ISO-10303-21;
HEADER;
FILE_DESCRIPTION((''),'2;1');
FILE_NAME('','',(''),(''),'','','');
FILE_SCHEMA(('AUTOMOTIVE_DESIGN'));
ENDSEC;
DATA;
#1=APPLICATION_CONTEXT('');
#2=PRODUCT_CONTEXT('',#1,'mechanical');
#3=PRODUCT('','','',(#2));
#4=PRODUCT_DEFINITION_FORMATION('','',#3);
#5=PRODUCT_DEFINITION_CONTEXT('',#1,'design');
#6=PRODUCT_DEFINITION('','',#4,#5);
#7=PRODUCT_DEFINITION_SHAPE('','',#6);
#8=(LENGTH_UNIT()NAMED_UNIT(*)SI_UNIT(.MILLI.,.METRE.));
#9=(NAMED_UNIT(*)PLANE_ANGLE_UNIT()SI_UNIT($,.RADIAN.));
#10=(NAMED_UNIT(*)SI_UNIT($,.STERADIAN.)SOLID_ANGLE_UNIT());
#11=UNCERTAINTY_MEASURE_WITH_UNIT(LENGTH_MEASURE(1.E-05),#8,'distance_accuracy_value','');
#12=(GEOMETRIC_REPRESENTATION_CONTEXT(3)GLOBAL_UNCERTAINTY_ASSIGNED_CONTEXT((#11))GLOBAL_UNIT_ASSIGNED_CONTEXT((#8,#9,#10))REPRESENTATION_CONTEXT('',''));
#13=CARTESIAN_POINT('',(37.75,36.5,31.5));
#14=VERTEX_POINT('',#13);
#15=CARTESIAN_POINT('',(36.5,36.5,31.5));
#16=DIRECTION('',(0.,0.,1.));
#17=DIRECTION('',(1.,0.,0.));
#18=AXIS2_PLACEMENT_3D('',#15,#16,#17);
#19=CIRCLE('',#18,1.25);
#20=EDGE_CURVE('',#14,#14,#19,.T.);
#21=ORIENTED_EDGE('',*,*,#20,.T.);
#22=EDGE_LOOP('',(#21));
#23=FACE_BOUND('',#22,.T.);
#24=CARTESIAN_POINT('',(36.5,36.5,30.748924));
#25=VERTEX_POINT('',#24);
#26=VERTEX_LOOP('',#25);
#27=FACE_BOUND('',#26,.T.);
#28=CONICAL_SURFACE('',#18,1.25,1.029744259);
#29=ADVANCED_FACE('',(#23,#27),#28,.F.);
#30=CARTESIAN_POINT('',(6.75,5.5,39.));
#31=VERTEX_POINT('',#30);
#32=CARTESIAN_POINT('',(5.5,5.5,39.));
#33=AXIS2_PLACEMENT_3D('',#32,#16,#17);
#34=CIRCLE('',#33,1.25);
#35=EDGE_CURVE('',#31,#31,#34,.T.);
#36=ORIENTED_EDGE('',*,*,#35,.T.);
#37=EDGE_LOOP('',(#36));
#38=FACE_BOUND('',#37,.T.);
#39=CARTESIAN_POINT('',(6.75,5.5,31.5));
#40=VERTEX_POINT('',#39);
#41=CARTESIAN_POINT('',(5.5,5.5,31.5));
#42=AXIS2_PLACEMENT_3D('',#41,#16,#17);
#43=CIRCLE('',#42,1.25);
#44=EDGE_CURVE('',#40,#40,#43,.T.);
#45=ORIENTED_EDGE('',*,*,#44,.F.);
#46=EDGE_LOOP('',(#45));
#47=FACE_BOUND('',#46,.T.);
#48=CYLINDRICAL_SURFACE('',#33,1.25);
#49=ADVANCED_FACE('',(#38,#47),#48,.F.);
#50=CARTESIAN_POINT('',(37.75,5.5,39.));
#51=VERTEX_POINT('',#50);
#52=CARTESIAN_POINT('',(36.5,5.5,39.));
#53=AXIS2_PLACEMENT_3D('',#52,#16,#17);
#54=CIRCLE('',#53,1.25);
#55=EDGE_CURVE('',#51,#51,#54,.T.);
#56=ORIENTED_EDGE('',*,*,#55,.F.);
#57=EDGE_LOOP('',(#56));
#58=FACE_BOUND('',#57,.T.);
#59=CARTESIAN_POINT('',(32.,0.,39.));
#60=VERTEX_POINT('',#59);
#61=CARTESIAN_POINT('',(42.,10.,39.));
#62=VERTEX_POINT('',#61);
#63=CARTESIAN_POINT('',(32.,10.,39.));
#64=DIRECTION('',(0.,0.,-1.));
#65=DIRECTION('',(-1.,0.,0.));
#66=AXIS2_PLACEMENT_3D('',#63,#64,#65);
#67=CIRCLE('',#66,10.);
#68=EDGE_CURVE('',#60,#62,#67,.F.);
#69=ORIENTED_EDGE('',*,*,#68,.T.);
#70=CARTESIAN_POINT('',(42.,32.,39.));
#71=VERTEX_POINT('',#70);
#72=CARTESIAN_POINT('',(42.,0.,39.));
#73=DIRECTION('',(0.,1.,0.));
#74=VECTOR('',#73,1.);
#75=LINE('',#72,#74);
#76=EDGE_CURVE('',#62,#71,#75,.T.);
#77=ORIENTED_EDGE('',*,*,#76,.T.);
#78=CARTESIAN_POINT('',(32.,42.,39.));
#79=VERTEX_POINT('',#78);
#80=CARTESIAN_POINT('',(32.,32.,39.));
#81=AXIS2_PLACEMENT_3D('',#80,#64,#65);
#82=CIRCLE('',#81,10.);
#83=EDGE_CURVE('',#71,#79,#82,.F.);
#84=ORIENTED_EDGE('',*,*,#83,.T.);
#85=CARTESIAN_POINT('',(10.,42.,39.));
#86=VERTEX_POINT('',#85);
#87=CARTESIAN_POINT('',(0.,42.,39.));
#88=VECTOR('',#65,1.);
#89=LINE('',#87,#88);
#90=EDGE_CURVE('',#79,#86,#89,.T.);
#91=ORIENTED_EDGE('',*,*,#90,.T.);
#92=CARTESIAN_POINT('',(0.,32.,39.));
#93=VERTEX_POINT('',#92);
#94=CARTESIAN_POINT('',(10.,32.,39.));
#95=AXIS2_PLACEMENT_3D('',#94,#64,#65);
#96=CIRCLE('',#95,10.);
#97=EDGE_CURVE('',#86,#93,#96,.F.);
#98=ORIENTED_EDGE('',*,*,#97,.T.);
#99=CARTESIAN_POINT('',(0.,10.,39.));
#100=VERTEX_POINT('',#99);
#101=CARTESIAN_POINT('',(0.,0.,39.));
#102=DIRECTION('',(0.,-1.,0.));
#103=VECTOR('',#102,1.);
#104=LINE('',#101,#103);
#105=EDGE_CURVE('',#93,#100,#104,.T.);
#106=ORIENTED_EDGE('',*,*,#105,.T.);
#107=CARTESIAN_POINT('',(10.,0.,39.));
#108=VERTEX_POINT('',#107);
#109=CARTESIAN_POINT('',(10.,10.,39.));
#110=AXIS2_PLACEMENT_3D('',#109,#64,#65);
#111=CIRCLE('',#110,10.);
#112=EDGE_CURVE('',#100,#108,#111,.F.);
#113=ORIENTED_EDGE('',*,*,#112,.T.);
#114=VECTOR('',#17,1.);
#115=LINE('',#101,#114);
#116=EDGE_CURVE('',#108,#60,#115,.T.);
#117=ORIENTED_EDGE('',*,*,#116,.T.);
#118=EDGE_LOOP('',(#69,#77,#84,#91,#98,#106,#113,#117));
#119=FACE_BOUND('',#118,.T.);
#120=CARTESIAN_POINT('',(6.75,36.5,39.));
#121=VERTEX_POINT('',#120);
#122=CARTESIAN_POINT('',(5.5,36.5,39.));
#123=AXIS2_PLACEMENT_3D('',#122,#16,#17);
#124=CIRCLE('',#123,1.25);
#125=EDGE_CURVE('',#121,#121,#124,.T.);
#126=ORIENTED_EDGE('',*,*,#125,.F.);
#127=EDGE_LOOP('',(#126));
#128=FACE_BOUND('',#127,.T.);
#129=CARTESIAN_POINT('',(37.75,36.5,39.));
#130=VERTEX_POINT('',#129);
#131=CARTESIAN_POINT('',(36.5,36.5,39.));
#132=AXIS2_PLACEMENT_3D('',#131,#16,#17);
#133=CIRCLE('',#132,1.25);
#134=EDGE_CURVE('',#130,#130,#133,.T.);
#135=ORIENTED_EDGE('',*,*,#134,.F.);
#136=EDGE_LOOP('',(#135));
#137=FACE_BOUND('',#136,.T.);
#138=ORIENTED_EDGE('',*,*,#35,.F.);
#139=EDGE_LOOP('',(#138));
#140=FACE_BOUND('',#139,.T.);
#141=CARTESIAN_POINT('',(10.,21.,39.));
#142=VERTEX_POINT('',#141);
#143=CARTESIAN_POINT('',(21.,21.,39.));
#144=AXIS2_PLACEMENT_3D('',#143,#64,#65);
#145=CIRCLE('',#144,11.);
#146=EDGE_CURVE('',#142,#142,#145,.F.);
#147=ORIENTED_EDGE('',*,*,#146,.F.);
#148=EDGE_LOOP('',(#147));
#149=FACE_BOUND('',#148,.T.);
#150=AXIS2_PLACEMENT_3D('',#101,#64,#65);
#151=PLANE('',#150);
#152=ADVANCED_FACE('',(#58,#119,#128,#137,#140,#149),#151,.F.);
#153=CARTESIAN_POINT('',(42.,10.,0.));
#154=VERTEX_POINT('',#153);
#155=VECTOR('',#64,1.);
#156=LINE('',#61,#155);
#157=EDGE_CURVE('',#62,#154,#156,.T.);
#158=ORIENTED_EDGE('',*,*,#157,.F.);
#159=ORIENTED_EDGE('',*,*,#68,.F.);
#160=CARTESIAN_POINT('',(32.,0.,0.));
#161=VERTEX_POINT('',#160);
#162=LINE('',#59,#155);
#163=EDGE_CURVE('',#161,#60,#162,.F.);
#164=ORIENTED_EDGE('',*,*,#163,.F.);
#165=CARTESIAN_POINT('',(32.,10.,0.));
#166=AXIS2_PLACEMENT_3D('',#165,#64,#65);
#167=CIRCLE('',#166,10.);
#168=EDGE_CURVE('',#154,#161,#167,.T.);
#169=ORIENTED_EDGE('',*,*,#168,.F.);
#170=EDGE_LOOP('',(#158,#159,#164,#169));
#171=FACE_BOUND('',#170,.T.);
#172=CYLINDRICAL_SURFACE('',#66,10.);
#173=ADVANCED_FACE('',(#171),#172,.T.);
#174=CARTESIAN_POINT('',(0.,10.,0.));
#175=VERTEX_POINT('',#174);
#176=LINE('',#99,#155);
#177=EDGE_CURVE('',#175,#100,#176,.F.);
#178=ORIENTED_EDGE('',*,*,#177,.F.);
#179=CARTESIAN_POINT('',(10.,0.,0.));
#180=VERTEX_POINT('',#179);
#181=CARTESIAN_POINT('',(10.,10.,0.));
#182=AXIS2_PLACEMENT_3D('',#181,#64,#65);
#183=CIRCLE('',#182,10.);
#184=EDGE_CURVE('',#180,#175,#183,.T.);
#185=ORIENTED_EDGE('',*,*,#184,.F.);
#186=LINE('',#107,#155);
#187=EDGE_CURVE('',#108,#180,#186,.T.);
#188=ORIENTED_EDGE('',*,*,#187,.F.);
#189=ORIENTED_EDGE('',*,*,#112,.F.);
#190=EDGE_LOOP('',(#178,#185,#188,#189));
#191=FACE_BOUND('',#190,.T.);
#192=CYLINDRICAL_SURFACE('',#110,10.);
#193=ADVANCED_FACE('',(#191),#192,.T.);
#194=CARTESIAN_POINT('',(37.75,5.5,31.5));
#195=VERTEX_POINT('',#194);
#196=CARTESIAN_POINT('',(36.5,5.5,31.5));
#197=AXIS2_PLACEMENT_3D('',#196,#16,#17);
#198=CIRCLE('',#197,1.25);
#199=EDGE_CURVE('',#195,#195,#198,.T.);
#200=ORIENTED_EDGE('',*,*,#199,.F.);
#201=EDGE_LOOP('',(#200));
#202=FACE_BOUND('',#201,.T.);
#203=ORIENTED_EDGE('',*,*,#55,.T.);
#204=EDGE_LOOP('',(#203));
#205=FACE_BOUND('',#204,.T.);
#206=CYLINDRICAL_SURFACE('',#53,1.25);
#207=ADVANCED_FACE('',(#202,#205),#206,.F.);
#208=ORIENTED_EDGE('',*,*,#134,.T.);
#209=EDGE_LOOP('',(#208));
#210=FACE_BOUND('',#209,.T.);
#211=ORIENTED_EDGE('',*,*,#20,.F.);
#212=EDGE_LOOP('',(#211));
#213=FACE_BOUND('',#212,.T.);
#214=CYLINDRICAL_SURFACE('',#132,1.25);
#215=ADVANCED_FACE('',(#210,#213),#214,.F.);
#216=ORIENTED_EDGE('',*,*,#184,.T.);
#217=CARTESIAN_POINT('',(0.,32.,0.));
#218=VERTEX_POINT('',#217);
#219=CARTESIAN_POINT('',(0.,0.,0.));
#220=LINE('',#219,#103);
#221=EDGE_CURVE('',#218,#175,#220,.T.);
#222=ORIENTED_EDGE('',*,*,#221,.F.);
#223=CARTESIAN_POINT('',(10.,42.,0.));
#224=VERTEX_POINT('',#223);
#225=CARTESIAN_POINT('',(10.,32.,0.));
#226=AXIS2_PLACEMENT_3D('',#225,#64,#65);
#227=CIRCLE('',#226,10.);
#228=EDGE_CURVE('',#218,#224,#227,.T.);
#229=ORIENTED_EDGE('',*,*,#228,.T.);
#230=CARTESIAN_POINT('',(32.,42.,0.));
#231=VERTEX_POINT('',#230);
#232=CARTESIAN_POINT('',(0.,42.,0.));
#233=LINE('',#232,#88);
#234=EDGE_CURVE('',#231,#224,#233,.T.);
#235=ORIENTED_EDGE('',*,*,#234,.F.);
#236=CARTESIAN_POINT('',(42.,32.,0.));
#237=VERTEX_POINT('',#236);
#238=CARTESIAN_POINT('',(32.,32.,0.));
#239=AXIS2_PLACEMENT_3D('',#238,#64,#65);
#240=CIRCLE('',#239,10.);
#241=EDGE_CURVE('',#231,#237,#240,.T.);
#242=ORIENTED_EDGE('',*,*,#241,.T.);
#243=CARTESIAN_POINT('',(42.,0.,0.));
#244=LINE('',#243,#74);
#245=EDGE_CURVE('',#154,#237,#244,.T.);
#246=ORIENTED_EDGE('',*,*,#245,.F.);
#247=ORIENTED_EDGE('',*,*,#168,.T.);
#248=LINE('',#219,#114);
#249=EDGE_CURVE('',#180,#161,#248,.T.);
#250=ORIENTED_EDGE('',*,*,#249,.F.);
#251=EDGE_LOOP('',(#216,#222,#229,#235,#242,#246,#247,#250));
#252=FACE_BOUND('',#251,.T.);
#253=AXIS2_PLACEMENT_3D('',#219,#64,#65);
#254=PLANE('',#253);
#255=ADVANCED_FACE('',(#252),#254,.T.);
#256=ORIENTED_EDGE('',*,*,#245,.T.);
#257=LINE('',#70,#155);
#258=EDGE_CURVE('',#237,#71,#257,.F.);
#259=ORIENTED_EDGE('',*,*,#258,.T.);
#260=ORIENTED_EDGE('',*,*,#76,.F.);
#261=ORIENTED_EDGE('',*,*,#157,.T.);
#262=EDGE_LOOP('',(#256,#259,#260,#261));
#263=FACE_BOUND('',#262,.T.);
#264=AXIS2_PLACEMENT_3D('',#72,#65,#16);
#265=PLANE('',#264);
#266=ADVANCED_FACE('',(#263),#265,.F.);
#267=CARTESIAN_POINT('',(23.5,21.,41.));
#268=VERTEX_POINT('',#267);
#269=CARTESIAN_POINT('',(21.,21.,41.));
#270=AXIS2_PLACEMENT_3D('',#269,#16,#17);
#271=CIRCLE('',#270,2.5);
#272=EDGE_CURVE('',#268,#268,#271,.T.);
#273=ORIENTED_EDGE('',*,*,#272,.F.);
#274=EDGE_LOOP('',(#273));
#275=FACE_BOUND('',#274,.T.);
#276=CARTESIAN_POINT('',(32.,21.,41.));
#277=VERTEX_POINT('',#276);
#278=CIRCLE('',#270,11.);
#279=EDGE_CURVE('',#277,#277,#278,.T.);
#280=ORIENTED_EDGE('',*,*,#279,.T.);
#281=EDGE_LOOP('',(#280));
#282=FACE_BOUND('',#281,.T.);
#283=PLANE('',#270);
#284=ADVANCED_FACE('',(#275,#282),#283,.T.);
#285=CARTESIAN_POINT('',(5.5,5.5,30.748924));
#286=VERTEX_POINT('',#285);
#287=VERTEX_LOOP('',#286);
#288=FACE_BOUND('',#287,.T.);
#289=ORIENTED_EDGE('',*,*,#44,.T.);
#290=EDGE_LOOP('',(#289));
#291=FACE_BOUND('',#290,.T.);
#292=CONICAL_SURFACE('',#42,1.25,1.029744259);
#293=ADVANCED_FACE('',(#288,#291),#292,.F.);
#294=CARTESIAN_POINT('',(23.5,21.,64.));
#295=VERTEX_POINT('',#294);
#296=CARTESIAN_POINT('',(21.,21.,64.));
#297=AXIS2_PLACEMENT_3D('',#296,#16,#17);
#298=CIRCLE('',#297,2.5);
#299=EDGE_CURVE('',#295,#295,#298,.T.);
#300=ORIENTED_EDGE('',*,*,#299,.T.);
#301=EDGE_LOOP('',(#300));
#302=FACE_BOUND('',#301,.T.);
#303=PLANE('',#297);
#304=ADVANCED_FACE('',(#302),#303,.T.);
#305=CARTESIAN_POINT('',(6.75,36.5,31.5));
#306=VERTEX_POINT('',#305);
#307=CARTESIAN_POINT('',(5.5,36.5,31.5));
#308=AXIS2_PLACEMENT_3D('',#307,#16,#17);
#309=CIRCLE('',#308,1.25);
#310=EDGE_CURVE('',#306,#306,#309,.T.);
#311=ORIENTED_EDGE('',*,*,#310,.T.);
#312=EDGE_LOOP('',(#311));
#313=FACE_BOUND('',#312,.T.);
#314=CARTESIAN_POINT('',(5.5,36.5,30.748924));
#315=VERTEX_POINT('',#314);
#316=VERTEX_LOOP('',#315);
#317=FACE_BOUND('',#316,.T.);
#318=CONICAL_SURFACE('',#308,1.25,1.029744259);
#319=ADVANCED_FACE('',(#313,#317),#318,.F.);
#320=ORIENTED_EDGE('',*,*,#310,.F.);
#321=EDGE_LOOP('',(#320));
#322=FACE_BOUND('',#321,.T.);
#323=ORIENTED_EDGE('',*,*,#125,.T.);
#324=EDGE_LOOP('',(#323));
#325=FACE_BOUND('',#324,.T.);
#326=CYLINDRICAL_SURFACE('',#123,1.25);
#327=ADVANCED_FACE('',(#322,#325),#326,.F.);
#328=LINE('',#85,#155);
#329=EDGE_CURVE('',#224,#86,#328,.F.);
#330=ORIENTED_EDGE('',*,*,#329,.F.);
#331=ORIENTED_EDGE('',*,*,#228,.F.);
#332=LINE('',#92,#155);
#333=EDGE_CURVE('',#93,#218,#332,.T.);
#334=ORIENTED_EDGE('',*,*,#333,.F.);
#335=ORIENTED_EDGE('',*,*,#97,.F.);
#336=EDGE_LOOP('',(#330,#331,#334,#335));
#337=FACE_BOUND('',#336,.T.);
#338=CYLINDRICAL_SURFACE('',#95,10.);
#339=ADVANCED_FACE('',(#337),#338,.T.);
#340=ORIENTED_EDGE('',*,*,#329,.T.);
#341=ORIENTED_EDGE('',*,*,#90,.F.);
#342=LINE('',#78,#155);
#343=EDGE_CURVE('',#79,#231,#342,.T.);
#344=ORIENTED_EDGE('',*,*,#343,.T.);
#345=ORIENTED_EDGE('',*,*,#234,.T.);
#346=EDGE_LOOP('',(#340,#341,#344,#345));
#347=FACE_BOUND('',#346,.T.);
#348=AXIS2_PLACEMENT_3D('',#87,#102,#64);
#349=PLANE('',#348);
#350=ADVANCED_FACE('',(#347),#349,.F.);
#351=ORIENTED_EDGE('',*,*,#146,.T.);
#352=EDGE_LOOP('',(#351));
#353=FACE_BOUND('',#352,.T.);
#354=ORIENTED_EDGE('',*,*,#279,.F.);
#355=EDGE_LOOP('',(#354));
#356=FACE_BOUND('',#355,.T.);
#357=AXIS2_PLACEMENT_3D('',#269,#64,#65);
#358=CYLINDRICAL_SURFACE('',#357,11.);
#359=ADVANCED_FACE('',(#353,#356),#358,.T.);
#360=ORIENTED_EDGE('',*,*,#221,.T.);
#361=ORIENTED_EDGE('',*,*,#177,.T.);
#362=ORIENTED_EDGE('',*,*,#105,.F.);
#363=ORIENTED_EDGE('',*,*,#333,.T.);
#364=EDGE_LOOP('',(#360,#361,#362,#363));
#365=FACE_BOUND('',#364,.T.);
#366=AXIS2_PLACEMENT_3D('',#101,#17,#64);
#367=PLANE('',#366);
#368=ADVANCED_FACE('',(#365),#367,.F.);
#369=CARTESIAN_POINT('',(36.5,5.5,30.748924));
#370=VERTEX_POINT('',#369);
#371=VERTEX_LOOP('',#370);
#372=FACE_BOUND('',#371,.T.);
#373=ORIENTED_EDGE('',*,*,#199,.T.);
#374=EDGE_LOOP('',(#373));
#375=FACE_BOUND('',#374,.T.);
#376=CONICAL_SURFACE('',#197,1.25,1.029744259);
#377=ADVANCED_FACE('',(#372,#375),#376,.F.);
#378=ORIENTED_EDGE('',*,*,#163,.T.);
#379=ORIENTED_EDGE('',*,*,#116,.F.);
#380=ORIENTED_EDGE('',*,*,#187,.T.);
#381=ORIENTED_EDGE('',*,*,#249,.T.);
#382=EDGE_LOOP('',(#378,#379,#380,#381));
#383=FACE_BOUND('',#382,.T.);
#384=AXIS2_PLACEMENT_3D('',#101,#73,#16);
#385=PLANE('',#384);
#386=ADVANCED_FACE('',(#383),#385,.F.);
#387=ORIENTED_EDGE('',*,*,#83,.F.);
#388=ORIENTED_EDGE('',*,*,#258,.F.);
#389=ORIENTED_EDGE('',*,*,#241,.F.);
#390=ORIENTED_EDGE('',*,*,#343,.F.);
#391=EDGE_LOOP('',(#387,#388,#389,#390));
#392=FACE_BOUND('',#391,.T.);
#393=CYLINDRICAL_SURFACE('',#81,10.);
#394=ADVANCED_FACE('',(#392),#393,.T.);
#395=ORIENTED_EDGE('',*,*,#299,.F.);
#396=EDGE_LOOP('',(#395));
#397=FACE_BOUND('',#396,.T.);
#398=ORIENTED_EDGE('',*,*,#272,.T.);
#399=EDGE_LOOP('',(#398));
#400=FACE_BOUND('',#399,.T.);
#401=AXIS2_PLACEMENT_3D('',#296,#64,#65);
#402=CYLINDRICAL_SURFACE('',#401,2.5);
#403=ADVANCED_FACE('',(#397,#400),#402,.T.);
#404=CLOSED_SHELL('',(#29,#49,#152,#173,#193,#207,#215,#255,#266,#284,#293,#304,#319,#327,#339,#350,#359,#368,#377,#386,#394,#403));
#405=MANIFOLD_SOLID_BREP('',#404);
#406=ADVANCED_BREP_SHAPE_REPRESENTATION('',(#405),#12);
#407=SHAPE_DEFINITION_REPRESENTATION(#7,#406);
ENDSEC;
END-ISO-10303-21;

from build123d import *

# Parameters (mm, degrees)
SKETCH_1_W             = 42
SKETCH_1_H             = 42
EXTRUDE_1_DEPTH        = 39
FILLET_1_R             = 10
HOLE_WIZARD_M3_1_D     = 2.5
HOLE_WIZARD_M3_1_DEPTH = 7.5
HOLE_WIZARD_M3_1_TIP   = 0.751075774
SKETCH_4_R             = 11
EXTRUDE_2_DEPTH        = 2
SKETCH_5_R             = 2.5
EXTRUDE_3_DEPTH        = 23


with BuildPart() as part:
    # 草图1 → 凸台-拉伸1 (new body)
    with BuildSketch(Plane.XY):
        with Locations((21, 21)):
            Rectangle(SKETCH_1_W, SKETCH_1_H)
    extrude(amount=EXTRUDE_1_DEPTH)

    # 圆角1
    fillet_1_edges = [part.edges().sort_by_distance(p)[0] for p in [
        (0, 42, 19.5),
        (42, 42, 19.5),
        (42, 0, 19.5),
        (0, 0, 19.5),
    ]]
    fillet(fillet_1_edges, radius=FILLET_1_R)

    # M3 螺纹孔1
    with Locations(Plane.XY.offset(39)):
        with Locations((5.5, 36.5), (36.5, 36.5), (36.5, 5.5), (5.5, 5.5)):
            Hole(HOLE_WIZARD_M3_1_D / 2, depth=HOLE_WIZARD_M3_1_DEPTH)
            with Locations((0, 0, -(HOLE_WIZARD_M3_1_DEPTH + HOLE_WIZARD_M3_1_TIP / 2))):  # 118° drill point
                Cone(0, HOLE_WIZARD_M3_1_D / 2, HOLE_WIZARD_M3_1_TIP, mode=Mode.SUBTRACT)

    # 草图4 → 凸台-拉伸2 (add)
    with BuildSketch(Plane.XY.offset(39)):
        with Locations((21, 21)):
            Circle(SKETCH_4_R)
    extrude(amount=EXTRUDE_2_DEPTH)

    # 草图5 → 凸台-拉伸3 (add)
    with BuildSketch(Plane.XY.offset(41)):
        with Locations((21, 21)):
            Circle(SKETCH_5_R)
    extrude(amount=EXTRUDE_3_DEPTH)


solid = part.part
